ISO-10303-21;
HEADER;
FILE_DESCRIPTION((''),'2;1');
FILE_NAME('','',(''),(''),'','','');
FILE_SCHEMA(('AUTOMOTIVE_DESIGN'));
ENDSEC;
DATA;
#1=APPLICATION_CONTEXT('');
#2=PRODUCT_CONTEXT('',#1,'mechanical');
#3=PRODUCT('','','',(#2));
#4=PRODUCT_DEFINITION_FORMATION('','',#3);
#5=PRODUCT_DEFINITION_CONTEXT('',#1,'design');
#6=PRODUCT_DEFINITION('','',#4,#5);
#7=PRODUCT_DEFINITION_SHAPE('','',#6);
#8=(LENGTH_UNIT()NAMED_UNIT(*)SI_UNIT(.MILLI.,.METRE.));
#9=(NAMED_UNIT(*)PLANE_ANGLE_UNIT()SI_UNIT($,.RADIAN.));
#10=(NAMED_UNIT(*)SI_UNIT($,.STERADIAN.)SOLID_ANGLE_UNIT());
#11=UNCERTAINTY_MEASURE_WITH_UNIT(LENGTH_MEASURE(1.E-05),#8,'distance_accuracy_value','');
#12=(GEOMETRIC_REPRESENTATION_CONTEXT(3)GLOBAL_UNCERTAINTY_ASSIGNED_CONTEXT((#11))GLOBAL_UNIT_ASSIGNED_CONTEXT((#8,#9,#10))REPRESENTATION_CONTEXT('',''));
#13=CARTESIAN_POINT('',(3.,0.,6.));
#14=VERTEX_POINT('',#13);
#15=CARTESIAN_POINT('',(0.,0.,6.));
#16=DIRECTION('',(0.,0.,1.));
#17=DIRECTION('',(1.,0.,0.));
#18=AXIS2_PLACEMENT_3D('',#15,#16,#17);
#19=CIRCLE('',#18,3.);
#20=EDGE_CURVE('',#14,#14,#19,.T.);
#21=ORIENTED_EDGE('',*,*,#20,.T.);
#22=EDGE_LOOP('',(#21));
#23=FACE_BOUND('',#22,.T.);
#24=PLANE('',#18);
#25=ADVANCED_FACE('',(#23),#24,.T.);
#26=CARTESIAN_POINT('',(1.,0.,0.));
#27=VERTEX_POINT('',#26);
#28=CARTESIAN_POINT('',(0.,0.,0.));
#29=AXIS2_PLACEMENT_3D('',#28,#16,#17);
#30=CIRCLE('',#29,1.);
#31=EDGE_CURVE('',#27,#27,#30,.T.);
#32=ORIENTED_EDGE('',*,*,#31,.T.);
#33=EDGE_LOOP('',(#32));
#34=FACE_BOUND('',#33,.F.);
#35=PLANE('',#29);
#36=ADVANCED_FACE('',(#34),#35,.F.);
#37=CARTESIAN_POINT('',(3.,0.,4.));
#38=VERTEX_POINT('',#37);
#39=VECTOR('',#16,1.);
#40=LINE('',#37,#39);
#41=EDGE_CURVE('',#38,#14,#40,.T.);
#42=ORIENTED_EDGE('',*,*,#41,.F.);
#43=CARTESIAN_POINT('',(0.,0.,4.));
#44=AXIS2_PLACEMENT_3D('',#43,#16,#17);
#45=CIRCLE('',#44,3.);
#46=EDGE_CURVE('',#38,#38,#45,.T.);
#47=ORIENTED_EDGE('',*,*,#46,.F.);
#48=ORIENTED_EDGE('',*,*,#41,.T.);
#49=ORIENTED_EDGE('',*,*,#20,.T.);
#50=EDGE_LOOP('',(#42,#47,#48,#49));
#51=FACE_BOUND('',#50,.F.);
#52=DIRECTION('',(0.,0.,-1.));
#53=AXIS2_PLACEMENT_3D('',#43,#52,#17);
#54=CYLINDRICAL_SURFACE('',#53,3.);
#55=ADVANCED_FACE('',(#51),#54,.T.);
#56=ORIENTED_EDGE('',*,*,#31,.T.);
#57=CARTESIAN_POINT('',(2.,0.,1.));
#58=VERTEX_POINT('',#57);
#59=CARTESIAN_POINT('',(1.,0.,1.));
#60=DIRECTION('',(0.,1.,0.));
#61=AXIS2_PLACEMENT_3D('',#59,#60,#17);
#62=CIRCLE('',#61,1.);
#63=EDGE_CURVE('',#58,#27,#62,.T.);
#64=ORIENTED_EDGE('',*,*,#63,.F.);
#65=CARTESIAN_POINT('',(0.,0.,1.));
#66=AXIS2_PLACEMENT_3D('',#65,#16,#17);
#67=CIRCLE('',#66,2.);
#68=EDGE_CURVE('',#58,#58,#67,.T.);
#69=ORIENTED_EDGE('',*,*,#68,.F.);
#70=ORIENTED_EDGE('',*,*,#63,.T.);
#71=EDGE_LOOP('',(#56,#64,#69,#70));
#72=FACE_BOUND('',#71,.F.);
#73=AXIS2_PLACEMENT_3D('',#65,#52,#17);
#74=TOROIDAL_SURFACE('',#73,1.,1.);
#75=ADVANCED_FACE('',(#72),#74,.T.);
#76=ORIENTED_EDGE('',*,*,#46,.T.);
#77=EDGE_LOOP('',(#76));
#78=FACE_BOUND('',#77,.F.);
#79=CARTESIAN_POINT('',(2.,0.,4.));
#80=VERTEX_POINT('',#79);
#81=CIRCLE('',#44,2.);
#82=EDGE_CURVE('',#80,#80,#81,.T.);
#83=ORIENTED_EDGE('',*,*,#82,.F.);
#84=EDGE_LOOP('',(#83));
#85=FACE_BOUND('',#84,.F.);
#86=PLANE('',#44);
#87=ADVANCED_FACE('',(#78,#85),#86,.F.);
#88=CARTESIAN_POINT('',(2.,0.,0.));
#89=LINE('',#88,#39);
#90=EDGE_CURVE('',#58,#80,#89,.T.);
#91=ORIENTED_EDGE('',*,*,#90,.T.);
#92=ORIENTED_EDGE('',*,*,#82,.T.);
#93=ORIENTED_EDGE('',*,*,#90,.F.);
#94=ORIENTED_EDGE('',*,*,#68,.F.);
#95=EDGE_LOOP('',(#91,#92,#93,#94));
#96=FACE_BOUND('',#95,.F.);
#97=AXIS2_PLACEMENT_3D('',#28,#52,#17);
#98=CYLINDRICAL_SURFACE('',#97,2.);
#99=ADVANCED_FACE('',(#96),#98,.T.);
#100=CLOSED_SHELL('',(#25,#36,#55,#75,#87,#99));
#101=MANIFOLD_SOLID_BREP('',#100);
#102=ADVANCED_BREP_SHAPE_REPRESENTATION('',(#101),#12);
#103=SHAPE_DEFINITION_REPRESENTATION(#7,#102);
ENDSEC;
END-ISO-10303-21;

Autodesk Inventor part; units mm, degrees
ref_plane "YZ Plane" through (0, 0, 0) normal (1, 0, 0) x (0, 1, 0)
ref_plane "XZ Plane" through (0, 0, 0) normal (0, 1, 0) x (-1, 0, 0)
ref_plane "XY Plane" through (0, 0, 0) normal (0, 0, 1) x (1, 0, 0)
sketch "Sketch1" plane through (0, 0, 0) normal (0, 0, 1) x (1, 0, 0)
  circle A0 centre (0, 0) radius 2
  dimension "d0" = 4
extrude "Extrusion1" add sketch "Sketch1" along normal blind 4
sketch "Sketch2" plane through (0, 0, 4) normal (0, 0, 1) x (1, 0, 0)
  circle A0 centre (0, 0) radius 3
  dimension "d3" = 6
extrude "Extrusion2" add sketch "Sketch2" along normal blind 2
fillet "Fillet1" radius 1 1 edges at (-2, 0, 0)
properties part number "motor_retainer"
